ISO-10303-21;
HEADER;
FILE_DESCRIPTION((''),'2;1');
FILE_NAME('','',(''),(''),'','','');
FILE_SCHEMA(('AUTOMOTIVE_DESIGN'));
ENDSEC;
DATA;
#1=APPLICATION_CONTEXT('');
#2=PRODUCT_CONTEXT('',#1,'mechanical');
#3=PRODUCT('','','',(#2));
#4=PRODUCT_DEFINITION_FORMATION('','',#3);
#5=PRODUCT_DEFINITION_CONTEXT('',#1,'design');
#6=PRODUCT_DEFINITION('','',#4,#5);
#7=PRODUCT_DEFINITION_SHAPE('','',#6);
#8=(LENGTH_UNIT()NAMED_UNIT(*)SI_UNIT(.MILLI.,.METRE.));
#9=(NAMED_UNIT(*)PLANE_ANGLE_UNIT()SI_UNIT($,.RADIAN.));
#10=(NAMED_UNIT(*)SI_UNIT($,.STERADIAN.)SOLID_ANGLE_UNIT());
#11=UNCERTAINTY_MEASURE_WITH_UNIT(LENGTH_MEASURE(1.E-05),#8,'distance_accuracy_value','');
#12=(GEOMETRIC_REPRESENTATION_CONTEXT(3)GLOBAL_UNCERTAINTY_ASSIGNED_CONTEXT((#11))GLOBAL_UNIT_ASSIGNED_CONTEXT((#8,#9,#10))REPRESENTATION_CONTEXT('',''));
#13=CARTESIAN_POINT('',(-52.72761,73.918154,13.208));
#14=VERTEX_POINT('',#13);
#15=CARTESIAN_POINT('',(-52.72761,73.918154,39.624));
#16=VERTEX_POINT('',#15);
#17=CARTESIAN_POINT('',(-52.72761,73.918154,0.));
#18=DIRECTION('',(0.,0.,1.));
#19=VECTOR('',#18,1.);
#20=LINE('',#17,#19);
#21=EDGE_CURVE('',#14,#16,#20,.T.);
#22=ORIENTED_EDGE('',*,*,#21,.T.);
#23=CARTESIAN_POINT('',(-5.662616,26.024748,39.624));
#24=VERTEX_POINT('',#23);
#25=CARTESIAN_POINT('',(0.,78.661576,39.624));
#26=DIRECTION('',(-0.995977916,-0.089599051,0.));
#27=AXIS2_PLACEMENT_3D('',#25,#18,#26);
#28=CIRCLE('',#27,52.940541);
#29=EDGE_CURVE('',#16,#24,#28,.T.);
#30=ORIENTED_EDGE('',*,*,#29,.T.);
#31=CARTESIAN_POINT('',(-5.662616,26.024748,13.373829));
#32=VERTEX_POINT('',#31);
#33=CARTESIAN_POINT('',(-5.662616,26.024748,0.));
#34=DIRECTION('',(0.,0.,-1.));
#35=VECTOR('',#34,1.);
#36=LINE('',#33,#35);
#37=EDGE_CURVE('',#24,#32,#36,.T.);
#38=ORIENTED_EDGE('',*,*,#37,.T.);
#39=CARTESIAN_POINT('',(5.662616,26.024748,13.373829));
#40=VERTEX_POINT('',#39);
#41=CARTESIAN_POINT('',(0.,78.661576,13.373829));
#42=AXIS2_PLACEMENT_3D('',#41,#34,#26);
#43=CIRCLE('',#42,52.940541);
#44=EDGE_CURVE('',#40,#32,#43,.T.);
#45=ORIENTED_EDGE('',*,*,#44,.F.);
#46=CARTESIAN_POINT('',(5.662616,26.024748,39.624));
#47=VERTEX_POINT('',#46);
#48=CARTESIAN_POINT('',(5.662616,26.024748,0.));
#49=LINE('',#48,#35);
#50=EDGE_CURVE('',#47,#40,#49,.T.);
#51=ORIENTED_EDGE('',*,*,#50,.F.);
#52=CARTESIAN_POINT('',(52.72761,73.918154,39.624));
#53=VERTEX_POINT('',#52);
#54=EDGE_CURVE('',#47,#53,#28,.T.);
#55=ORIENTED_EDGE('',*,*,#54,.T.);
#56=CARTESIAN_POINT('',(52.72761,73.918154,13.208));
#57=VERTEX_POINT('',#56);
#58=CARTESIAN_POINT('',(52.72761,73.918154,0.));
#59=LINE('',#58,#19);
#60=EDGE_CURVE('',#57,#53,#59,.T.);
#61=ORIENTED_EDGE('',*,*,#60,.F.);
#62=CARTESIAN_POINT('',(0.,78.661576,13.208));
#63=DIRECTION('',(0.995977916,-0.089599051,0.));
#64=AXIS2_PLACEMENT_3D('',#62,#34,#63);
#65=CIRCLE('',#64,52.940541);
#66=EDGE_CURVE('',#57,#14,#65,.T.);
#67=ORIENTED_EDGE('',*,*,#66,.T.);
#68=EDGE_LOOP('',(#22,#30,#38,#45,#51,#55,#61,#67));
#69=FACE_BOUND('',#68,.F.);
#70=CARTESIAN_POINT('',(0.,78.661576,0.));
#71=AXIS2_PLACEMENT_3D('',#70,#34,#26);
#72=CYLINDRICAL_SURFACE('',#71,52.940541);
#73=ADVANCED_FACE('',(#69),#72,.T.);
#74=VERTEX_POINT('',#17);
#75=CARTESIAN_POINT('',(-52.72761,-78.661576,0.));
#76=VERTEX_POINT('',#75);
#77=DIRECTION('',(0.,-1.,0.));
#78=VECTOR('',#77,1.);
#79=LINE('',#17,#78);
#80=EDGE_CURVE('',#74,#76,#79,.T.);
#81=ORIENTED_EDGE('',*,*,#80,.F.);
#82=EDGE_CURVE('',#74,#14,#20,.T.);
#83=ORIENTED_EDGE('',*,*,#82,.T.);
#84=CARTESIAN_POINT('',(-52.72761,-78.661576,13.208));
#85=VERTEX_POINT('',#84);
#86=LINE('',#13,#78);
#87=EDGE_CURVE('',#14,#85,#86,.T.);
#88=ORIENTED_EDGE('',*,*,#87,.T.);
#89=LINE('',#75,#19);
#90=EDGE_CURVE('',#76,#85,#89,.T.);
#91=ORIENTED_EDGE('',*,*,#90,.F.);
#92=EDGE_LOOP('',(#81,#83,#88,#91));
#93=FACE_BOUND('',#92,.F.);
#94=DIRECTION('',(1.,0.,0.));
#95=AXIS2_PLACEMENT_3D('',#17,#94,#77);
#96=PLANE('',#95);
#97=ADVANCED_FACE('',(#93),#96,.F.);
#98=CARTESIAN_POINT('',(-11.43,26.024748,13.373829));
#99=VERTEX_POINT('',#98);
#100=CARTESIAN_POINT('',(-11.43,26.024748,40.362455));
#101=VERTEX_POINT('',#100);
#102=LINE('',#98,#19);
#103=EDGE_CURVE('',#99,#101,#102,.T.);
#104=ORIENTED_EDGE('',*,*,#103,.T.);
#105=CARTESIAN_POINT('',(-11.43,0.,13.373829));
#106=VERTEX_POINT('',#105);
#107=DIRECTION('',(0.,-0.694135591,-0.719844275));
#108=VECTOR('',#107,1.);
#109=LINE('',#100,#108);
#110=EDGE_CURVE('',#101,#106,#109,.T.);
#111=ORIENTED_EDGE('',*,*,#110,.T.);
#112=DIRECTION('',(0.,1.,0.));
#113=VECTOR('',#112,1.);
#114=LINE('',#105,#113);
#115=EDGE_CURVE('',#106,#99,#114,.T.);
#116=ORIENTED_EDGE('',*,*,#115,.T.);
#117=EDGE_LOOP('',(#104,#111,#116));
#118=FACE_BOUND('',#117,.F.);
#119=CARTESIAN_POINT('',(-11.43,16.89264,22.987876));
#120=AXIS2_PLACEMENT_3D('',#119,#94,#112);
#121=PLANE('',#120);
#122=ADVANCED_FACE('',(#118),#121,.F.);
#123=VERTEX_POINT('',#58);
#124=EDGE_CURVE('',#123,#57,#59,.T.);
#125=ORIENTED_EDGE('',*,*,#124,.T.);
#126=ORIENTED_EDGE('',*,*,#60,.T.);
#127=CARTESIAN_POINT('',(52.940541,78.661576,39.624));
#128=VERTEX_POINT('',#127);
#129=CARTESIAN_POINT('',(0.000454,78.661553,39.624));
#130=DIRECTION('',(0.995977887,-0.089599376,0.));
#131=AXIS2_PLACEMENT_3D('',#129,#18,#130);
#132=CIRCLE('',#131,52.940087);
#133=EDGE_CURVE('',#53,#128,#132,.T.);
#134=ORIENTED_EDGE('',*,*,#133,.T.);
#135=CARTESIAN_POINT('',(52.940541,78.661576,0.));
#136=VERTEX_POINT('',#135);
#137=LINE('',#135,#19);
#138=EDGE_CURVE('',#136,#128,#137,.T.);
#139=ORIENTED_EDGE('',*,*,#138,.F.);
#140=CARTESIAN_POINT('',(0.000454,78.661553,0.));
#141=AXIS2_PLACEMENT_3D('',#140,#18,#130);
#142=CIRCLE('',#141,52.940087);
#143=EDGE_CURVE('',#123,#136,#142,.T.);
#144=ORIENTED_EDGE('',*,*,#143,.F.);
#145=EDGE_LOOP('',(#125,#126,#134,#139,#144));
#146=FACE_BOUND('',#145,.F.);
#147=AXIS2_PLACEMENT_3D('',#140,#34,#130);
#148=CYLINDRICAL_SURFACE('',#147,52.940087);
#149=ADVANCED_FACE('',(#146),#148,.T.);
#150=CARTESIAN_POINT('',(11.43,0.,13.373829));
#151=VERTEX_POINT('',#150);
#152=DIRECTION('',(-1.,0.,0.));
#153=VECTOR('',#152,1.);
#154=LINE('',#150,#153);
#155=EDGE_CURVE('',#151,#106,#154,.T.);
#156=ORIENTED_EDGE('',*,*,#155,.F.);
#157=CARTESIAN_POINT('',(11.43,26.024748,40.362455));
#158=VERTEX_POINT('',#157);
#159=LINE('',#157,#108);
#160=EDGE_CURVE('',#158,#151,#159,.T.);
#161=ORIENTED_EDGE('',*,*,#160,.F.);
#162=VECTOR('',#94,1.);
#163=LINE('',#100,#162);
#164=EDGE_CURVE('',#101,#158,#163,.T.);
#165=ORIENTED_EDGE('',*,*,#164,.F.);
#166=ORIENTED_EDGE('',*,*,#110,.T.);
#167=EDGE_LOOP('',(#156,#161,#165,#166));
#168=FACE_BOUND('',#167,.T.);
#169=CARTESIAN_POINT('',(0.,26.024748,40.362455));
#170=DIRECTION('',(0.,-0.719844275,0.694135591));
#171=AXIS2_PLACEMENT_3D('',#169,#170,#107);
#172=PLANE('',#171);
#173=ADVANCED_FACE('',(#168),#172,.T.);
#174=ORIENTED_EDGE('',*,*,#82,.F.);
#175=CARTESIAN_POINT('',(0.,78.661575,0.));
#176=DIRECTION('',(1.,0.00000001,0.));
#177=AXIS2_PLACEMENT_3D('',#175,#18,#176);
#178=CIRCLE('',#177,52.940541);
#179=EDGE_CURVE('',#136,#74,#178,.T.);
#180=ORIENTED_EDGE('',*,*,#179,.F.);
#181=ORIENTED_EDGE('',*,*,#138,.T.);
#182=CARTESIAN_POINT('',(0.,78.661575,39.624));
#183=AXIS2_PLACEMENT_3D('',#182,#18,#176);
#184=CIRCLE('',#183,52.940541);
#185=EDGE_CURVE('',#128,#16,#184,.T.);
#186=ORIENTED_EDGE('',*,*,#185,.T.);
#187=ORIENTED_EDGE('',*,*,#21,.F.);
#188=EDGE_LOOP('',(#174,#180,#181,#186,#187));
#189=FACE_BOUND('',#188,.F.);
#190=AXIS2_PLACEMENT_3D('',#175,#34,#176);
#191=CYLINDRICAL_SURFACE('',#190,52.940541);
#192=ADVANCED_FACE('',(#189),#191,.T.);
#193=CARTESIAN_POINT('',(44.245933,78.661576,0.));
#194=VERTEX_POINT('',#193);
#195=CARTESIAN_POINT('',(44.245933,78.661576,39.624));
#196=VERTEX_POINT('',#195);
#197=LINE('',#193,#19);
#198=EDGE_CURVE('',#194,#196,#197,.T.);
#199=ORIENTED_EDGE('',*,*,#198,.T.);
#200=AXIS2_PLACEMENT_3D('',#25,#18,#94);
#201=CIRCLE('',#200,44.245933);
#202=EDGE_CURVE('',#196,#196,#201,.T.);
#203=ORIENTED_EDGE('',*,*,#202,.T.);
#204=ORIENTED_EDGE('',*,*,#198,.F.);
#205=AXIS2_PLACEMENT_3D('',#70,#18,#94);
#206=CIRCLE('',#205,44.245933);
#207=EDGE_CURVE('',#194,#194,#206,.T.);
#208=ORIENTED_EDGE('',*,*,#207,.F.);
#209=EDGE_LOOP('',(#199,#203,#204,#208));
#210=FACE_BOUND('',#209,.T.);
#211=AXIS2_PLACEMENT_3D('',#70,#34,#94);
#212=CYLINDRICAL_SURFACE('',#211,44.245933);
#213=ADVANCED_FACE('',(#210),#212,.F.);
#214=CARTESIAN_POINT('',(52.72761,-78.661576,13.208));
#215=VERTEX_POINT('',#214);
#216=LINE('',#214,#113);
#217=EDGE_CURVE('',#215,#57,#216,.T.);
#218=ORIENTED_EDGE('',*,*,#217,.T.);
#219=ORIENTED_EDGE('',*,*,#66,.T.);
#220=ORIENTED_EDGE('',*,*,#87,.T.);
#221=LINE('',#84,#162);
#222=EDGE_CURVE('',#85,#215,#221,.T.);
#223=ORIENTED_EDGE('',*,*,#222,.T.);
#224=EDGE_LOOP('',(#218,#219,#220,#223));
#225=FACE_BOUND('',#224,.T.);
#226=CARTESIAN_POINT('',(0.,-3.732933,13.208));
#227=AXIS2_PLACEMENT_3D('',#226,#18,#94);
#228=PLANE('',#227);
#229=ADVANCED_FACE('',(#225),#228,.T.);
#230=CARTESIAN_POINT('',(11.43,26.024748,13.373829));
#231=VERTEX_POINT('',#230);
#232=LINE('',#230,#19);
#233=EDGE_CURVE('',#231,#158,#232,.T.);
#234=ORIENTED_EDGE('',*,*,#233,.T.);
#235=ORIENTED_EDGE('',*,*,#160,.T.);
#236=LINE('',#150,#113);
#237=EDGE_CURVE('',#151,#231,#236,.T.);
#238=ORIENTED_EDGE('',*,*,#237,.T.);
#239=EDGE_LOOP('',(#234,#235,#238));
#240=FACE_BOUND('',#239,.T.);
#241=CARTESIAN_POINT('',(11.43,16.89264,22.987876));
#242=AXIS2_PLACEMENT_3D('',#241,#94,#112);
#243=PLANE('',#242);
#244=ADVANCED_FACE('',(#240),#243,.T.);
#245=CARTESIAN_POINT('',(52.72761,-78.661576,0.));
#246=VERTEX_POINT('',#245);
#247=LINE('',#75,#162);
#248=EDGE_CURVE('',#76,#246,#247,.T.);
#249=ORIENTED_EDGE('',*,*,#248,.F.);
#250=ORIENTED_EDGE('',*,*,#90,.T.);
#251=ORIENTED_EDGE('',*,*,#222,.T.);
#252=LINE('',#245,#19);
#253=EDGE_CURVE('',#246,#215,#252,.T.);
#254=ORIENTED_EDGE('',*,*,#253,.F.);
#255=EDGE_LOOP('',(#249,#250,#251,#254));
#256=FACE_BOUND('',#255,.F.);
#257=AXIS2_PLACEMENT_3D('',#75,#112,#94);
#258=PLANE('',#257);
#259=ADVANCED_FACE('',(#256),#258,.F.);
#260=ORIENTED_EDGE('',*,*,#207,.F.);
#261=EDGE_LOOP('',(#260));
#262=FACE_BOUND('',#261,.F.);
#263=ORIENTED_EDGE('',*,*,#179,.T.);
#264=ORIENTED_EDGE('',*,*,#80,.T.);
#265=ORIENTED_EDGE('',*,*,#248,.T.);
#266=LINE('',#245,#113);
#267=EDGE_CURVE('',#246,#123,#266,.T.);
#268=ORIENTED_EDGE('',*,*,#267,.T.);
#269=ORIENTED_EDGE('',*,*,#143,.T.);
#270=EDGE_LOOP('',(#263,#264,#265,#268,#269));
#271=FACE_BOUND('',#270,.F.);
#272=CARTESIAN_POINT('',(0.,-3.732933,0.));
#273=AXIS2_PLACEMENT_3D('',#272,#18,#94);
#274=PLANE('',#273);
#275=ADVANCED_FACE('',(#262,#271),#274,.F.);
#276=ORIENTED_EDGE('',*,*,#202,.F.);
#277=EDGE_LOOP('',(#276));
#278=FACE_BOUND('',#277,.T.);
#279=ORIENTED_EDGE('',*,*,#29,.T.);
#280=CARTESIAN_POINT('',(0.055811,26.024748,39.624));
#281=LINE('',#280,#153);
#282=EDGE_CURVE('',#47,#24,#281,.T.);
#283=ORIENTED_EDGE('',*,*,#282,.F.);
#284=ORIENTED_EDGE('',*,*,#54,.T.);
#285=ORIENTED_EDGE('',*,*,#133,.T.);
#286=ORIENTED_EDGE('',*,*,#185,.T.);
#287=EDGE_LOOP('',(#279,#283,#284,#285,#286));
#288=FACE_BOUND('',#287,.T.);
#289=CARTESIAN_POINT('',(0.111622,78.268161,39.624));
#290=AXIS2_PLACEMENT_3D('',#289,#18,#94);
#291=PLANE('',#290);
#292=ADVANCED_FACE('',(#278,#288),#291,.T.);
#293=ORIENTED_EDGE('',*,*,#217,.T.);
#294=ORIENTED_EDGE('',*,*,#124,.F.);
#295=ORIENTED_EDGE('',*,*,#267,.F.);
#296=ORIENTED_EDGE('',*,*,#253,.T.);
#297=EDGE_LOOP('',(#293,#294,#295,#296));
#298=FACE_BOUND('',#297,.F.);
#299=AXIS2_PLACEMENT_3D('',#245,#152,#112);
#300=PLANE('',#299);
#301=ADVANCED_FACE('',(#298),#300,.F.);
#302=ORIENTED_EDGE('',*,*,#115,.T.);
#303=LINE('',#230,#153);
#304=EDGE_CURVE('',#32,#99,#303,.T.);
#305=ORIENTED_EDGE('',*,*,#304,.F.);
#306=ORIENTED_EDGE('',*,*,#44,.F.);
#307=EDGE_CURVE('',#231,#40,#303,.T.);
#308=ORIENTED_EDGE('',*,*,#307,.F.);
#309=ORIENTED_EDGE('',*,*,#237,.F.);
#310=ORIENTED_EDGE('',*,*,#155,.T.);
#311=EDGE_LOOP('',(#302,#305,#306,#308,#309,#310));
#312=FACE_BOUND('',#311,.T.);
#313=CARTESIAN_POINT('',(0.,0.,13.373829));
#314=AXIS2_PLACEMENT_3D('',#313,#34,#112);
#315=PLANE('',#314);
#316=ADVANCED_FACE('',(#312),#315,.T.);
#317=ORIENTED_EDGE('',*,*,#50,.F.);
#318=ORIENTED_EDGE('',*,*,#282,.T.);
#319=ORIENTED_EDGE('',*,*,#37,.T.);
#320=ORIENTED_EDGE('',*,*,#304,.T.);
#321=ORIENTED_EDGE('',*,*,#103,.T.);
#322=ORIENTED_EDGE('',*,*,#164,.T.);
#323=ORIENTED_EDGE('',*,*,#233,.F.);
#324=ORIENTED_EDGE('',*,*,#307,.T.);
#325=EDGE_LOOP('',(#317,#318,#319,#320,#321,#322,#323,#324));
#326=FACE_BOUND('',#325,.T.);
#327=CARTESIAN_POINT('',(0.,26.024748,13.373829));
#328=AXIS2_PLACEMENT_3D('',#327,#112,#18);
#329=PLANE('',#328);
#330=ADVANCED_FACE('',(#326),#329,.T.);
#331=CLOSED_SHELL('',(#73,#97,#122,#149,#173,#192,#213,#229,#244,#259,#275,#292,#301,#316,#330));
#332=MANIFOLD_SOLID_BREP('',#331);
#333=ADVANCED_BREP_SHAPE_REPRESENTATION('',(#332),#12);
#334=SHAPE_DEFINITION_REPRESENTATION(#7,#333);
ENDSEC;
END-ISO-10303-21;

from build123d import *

# Parameters (mm, degrees)
F0_R     = 44.245933
F1_DEPTH = 39.624
F2_DEPTH = 13.208
F4_DEPTH = 11.43


with BuildPart() as f1:
    # F0 (on Top) → F1 (new body)
    with BuildSketch(Plane.XY):
        with BuildLine():
            ThreePointArc((52.940541, 78.661576), (-2.374099, 131.548857), (-52.72761, 73.918154))
            ThreePointArc((-52.72761, 73.918154), (0, 25.721035), (52.72761, 73.918154))
            ThreePointArc((52.72761, 73.918154), (52.887282, 76.287477), (52.940541, 78.661576))
        make_face()
        with Locations((0, 78.661576)):
            Circle(F0_R, mode=Mode.SUBTRACT)
    extrude(amount=F1_DEPTH)

    # F0 (on Top) → F2 (join)
    with BuildSketch(Plane.XY):
        with BuildLine():
            Line((-52.72761, 73.918154), (-52.72761, -78.661576))
            Line((-52.72761, -78.661576), (52.72761, -78.661576))
            Line((52.72761, -78.661576), (52.72761, 73.918154))
            ThreePointArc((52.72761, 73.918154), (0, 25.721035), (-52.72761, 73.918154))
        make_face()
    extrude(amount=F2_DEPTH)

    # F3 (on Right) → F4 (join, symmetric)
    with BuildSketch(Plane.YZ):
        Polygon((26.024748, 13.373829), (26.024748, 40.362455), (0, 13.373829), align=None)
    extrude(amount=F4_DEPTH, both=True)


solid = f1.part
